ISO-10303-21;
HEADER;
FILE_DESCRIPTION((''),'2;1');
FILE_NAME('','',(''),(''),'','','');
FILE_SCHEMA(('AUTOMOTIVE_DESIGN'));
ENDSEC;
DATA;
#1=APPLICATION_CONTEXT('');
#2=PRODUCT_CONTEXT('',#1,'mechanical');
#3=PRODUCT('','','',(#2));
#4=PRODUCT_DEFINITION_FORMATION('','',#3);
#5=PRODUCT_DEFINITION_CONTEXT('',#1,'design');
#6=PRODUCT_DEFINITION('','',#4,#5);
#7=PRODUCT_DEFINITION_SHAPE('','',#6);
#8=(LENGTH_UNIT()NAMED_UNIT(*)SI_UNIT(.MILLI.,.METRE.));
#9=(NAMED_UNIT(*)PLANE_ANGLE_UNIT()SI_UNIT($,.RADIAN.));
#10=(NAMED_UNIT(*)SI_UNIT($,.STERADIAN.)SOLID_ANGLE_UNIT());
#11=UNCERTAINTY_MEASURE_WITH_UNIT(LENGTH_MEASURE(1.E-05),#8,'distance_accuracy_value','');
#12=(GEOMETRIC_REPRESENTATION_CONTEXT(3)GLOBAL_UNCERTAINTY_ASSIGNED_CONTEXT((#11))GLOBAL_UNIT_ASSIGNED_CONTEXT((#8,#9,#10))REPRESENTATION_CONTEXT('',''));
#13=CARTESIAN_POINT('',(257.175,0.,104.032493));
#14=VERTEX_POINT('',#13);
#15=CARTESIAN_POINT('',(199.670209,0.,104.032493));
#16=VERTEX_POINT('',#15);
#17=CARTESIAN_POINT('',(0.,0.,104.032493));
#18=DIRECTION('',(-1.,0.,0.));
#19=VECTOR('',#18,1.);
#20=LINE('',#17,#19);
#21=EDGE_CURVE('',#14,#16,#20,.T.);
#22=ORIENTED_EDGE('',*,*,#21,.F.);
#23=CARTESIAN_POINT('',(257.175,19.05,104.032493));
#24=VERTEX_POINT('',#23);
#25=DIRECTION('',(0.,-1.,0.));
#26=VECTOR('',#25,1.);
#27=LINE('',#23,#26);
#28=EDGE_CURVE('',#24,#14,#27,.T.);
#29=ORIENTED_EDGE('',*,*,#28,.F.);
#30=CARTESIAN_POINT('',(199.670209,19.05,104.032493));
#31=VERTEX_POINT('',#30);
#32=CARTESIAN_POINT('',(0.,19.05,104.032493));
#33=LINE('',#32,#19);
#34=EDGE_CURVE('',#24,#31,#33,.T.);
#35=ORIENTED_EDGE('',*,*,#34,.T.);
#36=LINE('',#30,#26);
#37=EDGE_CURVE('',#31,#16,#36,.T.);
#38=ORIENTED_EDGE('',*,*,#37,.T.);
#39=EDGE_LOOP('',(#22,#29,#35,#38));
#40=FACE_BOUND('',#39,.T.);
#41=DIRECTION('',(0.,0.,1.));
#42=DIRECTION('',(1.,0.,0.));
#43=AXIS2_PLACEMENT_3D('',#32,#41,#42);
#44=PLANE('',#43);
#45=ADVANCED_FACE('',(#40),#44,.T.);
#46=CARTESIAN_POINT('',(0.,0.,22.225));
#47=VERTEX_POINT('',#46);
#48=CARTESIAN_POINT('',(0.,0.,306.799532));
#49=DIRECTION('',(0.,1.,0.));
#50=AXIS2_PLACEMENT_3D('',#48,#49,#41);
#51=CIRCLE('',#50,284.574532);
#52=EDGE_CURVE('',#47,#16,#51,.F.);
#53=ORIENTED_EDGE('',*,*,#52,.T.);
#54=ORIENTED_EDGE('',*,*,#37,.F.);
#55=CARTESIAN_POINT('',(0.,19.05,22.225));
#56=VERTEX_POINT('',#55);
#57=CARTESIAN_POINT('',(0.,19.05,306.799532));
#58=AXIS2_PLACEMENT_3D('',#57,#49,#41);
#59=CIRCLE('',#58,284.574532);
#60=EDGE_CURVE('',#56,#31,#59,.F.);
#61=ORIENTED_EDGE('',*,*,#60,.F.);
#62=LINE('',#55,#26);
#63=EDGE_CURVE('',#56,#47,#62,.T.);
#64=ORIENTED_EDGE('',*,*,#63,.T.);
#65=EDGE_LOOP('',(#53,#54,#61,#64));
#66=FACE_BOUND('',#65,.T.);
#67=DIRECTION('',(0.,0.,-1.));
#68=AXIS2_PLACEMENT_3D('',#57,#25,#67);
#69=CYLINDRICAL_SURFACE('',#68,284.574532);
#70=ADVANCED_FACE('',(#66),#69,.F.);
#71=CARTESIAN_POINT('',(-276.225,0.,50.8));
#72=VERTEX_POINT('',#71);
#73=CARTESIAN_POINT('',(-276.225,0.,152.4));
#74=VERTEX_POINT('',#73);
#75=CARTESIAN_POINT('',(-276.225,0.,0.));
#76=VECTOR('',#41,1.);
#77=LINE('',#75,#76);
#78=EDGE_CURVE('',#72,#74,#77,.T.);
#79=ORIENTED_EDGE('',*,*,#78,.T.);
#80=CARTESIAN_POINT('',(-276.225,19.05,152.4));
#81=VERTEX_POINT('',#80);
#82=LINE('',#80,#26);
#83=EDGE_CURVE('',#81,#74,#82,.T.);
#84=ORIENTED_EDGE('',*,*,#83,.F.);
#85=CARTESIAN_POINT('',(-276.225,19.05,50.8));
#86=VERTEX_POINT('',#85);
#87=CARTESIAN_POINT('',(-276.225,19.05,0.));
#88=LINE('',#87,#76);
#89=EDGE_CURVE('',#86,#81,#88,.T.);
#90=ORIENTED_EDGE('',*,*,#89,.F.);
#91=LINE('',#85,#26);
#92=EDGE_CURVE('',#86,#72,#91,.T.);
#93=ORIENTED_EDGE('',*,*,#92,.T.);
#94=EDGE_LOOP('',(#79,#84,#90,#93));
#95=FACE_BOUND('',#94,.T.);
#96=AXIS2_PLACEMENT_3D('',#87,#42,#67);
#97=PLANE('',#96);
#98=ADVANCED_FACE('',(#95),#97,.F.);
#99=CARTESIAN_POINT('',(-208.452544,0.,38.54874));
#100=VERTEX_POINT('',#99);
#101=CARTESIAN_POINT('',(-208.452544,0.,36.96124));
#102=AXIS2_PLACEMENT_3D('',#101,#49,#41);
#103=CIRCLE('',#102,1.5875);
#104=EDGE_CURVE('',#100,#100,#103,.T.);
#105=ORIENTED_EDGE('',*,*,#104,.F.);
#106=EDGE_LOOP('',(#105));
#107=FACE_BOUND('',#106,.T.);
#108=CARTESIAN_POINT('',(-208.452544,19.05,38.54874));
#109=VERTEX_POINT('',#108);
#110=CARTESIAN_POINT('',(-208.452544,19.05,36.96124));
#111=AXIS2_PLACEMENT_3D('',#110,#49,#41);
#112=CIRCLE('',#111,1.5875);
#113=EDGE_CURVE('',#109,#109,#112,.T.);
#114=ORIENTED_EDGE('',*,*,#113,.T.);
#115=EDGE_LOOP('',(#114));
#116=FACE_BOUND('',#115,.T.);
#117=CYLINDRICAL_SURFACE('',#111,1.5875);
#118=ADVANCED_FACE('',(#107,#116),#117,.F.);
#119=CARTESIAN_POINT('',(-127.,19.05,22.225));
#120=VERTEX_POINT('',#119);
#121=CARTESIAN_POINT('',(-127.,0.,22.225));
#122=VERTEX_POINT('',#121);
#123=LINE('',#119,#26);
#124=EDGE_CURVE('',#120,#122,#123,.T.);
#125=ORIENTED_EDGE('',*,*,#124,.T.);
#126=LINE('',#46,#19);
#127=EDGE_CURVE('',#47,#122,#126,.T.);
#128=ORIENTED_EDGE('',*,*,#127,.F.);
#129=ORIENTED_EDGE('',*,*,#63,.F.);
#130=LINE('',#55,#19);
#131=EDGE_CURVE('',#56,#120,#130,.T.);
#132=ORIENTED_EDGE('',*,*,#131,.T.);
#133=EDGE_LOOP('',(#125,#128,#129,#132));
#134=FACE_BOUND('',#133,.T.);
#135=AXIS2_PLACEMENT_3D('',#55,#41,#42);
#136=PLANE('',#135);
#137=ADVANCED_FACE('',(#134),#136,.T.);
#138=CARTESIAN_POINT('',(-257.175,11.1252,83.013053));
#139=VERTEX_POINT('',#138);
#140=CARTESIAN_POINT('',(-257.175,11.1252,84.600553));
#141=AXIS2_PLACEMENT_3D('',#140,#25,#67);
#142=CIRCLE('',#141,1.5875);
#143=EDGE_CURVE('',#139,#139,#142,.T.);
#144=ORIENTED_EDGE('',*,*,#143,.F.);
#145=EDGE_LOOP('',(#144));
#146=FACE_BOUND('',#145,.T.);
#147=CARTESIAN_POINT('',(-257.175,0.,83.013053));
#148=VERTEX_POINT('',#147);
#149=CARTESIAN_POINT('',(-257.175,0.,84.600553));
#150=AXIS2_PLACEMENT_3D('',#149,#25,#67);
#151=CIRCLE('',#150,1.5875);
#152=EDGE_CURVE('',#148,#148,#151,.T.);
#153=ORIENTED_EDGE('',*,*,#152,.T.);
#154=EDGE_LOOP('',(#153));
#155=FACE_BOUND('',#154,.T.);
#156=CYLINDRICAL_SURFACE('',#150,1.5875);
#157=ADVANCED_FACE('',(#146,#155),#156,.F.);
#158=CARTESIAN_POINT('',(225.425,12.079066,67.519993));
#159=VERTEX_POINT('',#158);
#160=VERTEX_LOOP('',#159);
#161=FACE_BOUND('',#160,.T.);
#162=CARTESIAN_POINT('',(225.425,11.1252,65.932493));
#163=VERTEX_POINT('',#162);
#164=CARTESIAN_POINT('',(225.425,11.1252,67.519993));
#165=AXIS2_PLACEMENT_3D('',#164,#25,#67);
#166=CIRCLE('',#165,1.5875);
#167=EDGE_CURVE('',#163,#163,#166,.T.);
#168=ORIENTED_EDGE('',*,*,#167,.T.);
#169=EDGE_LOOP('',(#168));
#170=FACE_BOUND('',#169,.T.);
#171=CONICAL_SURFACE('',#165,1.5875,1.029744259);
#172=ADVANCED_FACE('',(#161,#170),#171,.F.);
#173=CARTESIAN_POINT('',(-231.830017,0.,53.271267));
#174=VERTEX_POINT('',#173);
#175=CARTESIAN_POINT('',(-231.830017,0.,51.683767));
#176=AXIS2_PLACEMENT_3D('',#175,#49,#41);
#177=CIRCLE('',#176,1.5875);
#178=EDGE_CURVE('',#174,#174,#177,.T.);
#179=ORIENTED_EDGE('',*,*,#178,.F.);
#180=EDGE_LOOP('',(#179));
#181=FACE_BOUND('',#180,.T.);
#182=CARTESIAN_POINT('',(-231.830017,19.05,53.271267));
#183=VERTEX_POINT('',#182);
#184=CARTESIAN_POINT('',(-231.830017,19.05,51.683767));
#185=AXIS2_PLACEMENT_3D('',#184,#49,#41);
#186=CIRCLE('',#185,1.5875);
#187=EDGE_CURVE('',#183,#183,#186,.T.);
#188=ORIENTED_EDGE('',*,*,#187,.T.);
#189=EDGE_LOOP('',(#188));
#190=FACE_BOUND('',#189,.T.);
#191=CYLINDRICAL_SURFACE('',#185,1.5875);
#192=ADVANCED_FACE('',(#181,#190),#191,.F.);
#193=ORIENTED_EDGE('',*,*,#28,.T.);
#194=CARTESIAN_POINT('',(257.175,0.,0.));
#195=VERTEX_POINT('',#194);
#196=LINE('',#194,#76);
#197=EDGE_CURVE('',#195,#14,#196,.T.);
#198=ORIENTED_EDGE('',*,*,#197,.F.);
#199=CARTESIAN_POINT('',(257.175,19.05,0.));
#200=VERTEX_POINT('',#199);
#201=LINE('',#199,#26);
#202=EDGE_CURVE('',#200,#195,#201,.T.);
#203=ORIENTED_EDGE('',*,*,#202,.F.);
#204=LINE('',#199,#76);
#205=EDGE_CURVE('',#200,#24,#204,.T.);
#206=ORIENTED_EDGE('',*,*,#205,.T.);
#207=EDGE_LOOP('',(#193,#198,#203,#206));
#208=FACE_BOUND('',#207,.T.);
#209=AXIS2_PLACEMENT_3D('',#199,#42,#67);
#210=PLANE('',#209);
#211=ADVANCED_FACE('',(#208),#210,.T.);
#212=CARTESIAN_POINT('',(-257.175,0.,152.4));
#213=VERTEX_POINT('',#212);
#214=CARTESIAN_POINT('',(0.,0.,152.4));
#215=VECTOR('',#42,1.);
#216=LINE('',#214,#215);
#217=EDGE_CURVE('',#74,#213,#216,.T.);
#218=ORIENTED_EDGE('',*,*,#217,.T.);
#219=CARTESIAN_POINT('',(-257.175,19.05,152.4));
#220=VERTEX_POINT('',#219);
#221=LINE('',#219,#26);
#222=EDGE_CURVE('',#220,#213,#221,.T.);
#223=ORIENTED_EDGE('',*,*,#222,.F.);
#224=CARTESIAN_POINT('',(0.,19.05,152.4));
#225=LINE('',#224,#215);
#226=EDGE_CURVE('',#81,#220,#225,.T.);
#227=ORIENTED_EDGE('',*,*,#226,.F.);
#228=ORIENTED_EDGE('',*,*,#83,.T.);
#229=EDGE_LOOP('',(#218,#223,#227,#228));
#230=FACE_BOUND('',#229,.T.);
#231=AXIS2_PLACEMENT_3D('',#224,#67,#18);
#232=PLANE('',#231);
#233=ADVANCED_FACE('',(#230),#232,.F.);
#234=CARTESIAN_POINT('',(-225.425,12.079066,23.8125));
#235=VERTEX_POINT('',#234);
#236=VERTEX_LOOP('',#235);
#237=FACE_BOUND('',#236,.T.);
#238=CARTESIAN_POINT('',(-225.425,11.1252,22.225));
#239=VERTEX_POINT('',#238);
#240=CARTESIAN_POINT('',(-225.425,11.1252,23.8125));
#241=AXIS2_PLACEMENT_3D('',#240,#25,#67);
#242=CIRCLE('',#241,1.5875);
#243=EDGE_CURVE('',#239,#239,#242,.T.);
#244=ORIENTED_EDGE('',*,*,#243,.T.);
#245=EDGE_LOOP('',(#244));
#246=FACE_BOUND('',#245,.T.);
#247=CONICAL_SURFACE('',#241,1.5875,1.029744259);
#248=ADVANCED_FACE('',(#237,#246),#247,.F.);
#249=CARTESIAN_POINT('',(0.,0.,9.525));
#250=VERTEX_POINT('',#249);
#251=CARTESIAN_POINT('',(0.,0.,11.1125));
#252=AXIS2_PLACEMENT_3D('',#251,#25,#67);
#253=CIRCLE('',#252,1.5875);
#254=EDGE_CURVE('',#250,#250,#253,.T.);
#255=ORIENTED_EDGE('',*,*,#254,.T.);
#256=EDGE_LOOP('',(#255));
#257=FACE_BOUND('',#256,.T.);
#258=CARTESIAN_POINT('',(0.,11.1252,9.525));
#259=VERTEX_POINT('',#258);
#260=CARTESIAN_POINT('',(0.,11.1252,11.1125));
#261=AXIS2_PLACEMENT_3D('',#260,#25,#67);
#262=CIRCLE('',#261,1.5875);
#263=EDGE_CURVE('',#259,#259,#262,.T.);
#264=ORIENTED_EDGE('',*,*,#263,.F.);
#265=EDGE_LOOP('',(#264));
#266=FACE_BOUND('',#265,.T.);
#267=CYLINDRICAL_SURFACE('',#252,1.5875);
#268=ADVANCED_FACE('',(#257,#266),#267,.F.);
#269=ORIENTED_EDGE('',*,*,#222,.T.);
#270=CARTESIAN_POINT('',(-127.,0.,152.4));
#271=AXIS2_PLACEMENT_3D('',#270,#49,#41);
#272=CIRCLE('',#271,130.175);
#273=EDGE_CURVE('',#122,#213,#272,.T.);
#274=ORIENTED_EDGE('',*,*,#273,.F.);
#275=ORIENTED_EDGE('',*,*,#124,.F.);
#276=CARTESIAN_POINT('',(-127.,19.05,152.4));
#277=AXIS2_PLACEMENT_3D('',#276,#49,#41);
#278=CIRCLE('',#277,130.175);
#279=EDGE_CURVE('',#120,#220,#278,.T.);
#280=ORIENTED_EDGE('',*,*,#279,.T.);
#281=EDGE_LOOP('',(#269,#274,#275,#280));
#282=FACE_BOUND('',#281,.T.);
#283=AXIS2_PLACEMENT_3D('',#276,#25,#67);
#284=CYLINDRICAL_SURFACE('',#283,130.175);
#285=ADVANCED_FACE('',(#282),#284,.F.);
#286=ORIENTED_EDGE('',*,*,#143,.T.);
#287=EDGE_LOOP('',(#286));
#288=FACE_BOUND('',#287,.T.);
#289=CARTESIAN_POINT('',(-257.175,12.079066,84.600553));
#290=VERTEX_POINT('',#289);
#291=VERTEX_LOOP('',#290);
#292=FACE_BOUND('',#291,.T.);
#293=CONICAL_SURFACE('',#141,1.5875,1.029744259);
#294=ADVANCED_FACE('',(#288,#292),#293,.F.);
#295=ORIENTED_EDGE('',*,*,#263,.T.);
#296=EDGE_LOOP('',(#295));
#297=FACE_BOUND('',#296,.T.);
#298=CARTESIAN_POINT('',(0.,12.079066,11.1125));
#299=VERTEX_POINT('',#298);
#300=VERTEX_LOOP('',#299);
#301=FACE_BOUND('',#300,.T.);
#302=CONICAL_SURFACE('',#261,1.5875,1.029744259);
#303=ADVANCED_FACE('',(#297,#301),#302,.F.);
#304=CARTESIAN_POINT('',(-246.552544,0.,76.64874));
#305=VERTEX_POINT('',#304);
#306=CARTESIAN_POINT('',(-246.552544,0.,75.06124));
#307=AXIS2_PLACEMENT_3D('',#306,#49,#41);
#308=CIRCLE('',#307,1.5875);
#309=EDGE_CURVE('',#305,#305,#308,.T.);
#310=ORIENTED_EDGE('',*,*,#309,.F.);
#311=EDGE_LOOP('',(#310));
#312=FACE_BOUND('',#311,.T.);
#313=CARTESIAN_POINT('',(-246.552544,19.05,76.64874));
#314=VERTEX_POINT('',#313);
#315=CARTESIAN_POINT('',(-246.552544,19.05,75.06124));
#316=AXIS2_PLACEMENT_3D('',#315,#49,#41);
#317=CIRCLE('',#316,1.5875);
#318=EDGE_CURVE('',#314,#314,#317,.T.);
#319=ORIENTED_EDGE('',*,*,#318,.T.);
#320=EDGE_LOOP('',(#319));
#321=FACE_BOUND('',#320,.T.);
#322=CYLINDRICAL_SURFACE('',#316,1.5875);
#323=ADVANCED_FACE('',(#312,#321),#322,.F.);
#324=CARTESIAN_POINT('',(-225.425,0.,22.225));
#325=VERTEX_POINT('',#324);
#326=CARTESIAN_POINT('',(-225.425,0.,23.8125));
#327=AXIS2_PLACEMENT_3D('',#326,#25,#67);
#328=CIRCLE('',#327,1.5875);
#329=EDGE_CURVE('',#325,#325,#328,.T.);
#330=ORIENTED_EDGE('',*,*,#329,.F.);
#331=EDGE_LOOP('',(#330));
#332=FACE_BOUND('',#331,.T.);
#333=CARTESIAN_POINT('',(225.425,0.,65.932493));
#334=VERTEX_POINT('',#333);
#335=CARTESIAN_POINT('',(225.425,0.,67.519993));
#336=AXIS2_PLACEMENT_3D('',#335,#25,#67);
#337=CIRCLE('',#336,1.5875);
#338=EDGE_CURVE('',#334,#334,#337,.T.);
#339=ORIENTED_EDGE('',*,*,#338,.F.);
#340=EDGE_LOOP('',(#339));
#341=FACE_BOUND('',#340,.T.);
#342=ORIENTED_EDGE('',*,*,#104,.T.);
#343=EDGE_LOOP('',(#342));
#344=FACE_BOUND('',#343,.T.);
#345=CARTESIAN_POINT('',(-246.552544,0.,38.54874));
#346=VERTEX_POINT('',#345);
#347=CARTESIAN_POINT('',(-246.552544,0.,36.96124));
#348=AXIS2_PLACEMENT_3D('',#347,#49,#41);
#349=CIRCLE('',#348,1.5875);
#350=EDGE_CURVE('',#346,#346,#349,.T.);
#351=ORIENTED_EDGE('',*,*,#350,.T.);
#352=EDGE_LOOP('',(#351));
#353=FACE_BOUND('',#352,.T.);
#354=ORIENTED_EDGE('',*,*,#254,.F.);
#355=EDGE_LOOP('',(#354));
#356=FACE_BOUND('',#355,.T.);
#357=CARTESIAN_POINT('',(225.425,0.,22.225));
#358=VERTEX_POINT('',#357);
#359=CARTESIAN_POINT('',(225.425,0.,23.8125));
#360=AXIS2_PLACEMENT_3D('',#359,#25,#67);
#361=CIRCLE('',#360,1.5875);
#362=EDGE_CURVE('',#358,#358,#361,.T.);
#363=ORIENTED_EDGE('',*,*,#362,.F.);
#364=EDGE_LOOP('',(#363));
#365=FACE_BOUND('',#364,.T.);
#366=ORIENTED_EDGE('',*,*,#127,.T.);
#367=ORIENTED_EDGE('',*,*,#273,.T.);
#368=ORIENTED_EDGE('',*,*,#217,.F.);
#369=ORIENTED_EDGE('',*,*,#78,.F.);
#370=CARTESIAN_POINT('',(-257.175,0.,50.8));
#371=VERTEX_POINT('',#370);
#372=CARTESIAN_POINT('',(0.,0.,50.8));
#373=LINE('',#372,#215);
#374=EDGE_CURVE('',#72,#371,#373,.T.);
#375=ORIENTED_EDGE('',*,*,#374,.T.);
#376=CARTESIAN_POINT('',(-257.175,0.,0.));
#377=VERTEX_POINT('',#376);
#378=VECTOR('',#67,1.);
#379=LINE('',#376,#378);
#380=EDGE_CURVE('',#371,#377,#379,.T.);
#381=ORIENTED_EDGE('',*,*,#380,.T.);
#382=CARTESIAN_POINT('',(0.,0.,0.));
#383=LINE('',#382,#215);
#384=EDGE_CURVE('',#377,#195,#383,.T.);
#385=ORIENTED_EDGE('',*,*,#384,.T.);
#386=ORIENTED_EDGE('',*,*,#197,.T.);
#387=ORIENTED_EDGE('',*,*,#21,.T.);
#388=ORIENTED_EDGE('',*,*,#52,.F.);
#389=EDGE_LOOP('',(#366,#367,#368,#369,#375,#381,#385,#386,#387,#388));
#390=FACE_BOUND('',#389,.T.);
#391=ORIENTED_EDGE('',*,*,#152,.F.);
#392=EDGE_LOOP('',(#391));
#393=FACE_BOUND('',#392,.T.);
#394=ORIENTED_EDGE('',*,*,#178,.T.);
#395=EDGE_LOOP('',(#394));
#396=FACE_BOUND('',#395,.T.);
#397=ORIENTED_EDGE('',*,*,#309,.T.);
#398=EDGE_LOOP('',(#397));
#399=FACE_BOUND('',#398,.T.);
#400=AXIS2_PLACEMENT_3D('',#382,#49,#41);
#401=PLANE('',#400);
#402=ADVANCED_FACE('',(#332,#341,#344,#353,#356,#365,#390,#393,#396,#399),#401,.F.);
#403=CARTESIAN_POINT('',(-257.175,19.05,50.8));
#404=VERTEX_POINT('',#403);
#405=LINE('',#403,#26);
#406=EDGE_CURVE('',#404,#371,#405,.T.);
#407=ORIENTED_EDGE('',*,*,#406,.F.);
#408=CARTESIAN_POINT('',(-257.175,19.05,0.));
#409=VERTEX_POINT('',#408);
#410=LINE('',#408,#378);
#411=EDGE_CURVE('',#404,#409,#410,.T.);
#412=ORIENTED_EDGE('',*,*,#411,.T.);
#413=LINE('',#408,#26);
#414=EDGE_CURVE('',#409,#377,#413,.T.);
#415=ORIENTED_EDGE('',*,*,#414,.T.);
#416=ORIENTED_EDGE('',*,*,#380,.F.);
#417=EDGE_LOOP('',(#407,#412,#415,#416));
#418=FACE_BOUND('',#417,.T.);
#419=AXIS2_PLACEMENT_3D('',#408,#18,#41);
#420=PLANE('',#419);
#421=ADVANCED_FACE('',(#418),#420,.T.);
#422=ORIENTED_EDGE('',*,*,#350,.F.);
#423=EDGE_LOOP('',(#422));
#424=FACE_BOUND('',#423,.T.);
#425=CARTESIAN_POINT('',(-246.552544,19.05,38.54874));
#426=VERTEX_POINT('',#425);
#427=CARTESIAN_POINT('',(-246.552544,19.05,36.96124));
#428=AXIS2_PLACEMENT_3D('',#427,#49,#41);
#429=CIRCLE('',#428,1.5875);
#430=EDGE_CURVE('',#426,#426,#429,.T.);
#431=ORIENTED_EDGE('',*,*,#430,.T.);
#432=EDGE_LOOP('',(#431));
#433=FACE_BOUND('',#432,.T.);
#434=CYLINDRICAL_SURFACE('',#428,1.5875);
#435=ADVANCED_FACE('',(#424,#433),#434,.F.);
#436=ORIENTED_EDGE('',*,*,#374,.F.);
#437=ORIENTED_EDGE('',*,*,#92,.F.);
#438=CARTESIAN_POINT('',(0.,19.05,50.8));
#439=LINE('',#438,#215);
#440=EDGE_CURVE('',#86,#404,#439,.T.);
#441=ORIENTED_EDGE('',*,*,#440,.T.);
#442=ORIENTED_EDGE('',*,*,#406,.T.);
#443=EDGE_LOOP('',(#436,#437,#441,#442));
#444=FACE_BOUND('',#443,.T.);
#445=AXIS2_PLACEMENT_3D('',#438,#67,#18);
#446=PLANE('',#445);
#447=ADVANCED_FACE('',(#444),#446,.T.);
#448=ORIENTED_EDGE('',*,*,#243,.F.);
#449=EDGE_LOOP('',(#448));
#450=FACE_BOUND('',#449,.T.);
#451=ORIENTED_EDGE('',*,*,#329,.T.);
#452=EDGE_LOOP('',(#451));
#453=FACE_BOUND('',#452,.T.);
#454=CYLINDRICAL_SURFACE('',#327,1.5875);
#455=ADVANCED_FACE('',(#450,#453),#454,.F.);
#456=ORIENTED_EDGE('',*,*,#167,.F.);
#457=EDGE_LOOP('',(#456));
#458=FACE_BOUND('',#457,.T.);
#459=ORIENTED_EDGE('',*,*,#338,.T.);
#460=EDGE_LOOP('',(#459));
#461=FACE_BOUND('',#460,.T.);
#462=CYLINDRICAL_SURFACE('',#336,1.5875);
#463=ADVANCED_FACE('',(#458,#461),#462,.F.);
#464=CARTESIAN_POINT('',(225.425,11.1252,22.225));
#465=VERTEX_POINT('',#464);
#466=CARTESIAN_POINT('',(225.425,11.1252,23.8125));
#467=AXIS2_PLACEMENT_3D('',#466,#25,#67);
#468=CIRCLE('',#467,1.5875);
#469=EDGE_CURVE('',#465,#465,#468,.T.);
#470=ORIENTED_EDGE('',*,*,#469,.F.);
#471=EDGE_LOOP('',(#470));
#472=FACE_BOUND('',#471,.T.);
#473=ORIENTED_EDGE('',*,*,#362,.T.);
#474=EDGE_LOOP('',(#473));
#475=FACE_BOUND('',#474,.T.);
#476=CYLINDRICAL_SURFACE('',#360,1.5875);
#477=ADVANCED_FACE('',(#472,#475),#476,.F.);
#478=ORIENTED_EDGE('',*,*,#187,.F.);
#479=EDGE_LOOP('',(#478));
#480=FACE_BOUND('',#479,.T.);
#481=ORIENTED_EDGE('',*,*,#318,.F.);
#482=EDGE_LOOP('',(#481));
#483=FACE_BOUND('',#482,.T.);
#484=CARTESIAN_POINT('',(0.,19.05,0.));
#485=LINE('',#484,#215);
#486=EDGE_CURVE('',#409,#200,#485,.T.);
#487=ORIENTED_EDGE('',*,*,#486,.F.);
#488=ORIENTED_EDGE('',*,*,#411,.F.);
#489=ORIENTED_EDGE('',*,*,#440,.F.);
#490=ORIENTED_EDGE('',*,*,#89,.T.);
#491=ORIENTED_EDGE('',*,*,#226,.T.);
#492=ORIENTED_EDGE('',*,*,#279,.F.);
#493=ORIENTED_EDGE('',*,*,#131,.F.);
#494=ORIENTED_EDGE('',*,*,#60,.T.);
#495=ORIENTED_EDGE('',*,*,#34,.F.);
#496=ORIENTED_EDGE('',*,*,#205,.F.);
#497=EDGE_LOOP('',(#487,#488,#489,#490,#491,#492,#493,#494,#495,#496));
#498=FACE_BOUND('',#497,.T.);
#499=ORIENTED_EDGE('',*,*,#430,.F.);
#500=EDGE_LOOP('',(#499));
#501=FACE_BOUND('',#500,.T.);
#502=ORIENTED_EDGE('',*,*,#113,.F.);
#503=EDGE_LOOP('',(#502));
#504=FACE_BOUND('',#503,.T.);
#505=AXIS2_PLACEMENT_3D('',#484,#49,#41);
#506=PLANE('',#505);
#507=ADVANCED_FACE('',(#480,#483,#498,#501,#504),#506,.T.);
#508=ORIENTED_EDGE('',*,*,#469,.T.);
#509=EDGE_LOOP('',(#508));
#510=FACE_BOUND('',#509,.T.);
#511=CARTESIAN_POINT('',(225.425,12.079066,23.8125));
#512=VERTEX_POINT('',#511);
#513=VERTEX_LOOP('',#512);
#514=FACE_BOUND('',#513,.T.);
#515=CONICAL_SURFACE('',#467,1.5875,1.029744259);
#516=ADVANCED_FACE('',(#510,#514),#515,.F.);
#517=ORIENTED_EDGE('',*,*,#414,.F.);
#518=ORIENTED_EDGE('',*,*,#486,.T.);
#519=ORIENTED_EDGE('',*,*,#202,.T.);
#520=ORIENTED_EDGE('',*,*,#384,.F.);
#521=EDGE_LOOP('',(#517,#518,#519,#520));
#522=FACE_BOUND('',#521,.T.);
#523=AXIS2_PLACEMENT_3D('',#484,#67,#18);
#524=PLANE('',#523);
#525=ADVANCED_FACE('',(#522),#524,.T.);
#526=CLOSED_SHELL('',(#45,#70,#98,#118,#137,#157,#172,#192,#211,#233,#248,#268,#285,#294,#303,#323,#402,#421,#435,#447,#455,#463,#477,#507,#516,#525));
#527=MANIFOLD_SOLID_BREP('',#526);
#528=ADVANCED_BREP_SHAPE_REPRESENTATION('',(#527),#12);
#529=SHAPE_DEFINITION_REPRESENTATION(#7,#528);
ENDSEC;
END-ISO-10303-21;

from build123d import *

# Parameters (mm, degrees)
BOSS_EXTRUDE1_DEPTH              = 19.05
F_1_8_0_125_DIAMETER_HOLE1_D     = 3.175
F_1_8_0_125_DIAMETER_HOLE1_DEPTH = 11.1252
F_1_8_0_125_DIAMETER_HOLE1_TIP   = 0.953866233
F_1_8_0_125_DIAMETER_HOLE2_D     = 3.175


with BuildPart() as part:
    # Sketch1 → Boss-Extrude1 (new body)
    with BuildSketch(Plane(origin=(0, 0, 0), x_dir=(1, 0, 0), z_dir=(0, 1, 0))):
        with BuildLine():
            Line((-257.175, 0), (257.175, 0))
            Line((257.175, 0), (257.175, -104.032493436))
            Line((257.175, -104.032493436), (199.670208733, -104.032493436))
            ThreePointArc((199.670208733, -104.032493436), (107.889594305, -43.469891278), (0, -22.225))
            Line((0, -22.225), (-127, -22.225))
            ThreePointArc((-127, -22.225), (-219.047625241, -60.352374759), (-257.175, -152.4))
            Line((-257.175, -152.4), (-276.225, -152.4))
            Line((-276.225, -152.4), (-276.225, -50.8))
            Line((-276.225, -50.8), (-257.175, -50.8))
            Line((-257.175, -50.8), (-257.175, 0))
        make_face()
    extrude(amount=BOSS_EXTRUDE1_DEPTH)

    # 1/8 (0.125) Diameter Hole1
    with Locations(Plane(origin=(0, 0, 0), x_dir=(-1, 0, 0), z_dir=(0, -1, 0))):
        with Locations((0, -11.1125), (225.425, -23.8125), (-225.425, -23.8125), (-225.425, -67.519993436), (257.175, -84.6005531)):
            Hole(F_1_8_0_125_DIAMETER_HOLE1_D / 2, depth=F_1_8_0_125_DIAMETER_HOLE1_DEPTH)
            with Locations((0, 0, -(F_1_8_0_125_DIAMETER_HOLE1_DEPTH + F_1_8_0_125_DIAMETER_HOLE1_TIP / 2))):  # 118° drill point
                Cone(0, F_1_8_0_125_DIAMETER_HOLE1_D / 2, F_1_8_0_125_DIAMETER_HOLE1_TIP, mode=Mode.SUBTRACT)

    # 1/8 (0.125) Diameter Hole2 (through all)
    with Locations(Plane(origin=(0, 19.05, 0), x_dir=(1, 0, 0), z_dir=(0, 1, 0))):
        with Locations((-246.552544448, -36.961239505), (-208.452544448, -36.961239505), (-246.552544448, -75.061239505), (-231.830017346, -51.683766607)):
            Hole(F_1_8_0_125_DIAMETER_HOLE2_D / 2)


solid = part.part
